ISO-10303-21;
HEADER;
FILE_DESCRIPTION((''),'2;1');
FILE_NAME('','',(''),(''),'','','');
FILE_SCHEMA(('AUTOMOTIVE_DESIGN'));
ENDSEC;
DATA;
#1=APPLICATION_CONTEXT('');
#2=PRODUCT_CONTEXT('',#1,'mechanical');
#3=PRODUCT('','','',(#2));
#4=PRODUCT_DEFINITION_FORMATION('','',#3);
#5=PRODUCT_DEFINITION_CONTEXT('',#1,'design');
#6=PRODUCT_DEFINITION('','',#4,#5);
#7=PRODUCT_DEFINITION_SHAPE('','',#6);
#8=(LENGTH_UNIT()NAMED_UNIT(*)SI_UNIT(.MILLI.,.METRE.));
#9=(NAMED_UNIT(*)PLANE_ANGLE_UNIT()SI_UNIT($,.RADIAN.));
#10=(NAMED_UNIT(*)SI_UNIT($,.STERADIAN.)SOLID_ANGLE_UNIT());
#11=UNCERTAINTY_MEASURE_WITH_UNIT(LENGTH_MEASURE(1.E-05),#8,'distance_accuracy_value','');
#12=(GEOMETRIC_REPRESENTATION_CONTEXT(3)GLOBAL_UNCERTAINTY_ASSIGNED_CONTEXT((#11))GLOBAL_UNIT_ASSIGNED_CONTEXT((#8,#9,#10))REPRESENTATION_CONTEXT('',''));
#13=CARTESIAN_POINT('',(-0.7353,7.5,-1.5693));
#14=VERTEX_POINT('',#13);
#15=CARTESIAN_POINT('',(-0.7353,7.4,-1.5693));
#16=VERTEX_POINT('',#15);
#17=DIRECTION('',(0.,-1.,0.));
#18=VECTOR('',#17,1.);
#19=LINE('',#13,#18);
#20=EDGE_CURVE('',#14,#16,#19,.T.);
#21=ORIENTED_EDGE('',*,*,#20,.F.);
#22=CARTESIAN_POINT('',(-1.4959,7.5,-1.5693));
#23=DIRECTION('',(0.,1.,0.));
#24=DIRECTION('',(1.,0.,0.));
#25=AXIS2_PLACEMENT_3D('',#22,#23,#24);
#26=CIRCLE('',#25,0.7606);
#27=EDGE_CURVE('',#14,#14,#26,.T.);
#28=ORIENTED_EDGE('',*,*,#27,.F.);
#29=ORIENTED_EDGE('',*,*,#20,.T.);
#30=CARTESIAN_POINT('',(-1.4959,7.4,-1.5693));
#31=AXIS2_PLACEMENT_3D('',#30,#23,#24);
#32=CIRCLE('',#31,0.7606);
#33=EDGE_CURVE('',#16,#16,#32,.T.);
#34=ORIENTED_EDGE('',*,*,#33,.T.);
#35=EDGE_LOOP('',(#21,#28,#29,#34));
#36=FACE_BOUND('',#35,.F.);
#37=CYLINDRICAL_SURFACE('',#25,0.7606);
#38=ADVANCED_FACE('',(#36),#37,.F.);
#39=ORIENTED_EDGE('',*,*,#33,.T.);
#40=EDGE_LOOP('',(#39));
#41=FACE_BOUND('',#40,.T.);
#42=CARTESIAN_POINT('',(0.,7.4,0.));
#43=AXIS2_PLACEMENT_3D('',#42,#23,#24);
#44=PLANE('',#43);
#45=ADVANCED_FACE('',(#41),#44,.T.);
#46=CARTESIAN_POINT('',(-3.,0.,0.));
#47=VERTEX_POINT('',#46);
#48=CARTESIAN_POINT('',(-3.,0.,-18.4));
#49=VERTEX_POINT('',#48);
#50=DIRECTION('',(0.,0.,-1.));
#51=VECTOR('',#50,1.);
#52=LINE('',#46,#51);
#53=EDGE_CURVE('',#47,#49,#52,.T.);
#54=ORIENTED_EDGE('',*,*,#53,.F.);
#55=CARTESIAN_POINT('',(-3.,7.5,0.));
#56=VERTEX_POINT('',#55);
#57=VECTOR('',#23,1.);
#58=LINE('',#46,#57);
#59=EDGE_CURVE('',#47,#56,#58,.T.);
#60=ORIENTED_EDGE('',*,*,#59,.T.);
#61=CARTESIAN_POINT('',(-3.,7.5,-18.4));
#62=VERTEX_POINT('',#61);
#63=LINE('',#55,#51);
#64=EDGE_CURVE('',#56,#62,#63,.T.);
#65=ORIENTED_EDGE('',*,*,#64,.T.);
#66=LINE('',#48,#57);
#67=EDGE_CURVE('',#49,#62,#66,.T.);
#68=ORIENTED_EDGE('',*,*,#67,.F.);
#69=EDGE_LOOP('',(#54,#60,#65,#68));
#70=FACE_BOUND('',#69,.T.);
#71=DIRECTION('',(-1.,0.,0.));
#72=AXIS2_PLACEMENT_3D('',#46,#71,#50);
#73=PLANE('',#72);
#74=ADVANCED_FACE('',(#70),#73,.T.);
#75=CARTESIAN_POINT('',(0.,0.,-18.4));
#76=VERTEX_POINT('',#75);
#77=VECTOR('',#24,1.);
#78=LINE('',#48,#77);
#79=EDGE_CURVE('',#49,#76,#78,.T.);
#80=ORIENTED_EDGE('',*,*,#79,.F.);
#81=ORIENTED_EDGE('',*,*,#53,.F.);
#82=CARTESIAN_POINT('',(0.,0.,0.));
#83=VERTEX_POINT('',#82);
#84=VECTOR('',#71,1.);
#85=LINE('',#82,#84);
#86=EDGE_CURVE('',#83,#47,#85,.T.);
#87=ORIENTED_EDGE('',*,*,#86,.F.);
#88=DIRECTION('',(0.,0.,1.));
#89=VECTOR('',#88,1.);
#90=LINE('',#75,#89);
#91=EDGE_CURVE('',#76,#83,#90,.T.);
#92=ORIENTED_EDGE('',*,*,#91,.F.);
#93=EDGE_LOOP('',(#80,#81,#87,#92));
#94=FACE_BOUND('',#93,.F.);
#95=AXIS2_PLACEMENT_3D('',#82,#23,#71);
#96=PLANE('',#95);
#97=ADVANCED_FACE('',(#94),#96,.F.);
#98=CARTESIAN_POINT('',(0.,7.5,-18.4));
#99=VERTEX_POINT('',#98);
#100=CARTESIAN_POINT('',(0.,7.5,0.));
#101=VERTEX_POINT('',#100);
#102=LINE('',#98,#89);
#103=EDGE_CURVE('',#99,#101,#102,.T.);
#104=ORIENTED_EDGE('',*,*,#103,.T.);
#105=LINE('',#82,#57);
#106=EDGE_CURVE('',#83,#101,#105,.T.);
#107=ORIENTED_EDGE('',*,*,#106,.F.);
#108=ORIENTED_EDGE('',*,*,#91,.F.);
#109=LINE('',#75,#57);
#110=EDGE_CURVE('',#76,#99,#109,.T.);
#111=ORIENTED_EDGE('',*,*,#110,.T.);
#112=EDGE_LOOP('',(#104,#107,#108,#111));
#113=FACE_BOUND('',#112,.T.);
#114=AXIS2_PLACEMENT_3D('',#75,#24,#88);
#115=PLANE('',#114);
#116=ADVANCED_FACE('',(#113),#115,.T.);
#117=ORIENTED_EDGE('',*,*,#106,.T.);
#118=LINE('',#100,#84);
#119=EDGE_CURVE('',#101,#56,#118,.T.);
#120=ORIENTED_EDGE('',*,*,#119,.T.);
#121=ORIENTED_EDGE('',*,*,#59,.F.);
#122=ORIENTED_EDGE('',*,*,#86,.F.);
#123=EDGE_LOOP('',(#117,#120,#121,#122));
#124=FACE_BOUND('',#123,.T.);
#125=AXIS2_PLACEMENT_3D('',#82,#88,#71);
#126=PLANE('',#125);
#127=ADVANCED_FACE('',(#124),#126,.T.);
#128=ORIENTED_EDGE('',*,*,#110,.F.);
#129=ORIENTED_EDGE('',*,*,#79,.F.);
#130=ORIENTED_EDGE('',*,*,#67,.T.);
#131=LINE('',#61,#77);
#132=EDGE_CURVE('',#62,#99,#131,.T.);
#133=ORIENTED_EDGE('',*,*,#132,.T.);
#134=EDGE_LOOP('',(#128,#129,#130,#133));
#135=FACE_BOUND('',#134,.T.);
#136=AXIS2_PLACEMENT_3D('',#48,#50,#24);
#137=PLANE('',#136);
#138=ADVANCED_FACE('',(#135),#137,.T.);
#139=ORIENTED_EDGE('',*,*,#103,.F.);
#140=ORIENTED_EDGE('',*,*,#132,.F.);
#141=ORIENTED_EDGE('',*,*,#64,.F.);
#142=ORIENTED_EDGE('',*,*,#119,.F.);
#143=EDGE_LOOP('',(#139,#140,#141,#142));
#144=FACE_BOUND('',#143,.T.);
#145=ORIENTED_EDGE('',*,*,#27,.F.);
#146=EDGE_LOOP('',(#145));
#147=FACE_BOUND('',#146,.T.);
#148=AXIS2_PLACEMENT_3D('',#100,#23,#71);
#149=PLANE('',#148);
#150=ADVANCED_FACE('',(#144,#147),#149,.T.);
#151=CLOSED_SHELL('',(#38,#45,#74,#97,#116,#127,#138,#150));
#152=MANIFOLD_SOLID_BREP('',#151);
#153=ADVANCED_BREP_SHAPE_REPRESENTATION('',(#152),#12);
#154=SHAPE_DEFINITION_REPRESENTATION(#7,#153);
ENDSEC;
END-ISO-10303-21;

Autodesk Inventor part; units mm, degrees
ref_plane "YZ Plane" through (0, 0, 0) normal (1, 0, 0) x (0, 1, 0)
ref_plane "XZ Plane" through (0, 0, 0) normal (0, 1, 0) x (-1, 0, 0)
ref_plane "XY Plane" through (0, 0, 0) normal (0, 0, 1) x (1, 0, 0)
sketch "Sketch1" plane through (0, 0, 0) normal (0, 1, 0) x (-1, 0, 0)
  line L0 (0, 0) -> (3, 0)
  line L1 (3, 0) -> (3, -18.4)
  line L2 (3, -18.4) -> (0, -18.4)
  line L3 (0, -18.4) -> (0, 0)
  dimension "d0" = 3
  dimension "d1" = 18.4
extrude "Extrusion1" add sketch "Sketch1" along normal blind 7.5
sketch "Sketch2" plane through (0, 7.5, 0) normal (0, 1, 0) x (1, 0, 0)
  circle A0 centre (-1.4959, 1.5693) radius 0.7606
  point P0 (0, 0)
extrude "Extrusion2" cut sketch "Sketch2" against normal blind 0.1
properties part number "backside"
